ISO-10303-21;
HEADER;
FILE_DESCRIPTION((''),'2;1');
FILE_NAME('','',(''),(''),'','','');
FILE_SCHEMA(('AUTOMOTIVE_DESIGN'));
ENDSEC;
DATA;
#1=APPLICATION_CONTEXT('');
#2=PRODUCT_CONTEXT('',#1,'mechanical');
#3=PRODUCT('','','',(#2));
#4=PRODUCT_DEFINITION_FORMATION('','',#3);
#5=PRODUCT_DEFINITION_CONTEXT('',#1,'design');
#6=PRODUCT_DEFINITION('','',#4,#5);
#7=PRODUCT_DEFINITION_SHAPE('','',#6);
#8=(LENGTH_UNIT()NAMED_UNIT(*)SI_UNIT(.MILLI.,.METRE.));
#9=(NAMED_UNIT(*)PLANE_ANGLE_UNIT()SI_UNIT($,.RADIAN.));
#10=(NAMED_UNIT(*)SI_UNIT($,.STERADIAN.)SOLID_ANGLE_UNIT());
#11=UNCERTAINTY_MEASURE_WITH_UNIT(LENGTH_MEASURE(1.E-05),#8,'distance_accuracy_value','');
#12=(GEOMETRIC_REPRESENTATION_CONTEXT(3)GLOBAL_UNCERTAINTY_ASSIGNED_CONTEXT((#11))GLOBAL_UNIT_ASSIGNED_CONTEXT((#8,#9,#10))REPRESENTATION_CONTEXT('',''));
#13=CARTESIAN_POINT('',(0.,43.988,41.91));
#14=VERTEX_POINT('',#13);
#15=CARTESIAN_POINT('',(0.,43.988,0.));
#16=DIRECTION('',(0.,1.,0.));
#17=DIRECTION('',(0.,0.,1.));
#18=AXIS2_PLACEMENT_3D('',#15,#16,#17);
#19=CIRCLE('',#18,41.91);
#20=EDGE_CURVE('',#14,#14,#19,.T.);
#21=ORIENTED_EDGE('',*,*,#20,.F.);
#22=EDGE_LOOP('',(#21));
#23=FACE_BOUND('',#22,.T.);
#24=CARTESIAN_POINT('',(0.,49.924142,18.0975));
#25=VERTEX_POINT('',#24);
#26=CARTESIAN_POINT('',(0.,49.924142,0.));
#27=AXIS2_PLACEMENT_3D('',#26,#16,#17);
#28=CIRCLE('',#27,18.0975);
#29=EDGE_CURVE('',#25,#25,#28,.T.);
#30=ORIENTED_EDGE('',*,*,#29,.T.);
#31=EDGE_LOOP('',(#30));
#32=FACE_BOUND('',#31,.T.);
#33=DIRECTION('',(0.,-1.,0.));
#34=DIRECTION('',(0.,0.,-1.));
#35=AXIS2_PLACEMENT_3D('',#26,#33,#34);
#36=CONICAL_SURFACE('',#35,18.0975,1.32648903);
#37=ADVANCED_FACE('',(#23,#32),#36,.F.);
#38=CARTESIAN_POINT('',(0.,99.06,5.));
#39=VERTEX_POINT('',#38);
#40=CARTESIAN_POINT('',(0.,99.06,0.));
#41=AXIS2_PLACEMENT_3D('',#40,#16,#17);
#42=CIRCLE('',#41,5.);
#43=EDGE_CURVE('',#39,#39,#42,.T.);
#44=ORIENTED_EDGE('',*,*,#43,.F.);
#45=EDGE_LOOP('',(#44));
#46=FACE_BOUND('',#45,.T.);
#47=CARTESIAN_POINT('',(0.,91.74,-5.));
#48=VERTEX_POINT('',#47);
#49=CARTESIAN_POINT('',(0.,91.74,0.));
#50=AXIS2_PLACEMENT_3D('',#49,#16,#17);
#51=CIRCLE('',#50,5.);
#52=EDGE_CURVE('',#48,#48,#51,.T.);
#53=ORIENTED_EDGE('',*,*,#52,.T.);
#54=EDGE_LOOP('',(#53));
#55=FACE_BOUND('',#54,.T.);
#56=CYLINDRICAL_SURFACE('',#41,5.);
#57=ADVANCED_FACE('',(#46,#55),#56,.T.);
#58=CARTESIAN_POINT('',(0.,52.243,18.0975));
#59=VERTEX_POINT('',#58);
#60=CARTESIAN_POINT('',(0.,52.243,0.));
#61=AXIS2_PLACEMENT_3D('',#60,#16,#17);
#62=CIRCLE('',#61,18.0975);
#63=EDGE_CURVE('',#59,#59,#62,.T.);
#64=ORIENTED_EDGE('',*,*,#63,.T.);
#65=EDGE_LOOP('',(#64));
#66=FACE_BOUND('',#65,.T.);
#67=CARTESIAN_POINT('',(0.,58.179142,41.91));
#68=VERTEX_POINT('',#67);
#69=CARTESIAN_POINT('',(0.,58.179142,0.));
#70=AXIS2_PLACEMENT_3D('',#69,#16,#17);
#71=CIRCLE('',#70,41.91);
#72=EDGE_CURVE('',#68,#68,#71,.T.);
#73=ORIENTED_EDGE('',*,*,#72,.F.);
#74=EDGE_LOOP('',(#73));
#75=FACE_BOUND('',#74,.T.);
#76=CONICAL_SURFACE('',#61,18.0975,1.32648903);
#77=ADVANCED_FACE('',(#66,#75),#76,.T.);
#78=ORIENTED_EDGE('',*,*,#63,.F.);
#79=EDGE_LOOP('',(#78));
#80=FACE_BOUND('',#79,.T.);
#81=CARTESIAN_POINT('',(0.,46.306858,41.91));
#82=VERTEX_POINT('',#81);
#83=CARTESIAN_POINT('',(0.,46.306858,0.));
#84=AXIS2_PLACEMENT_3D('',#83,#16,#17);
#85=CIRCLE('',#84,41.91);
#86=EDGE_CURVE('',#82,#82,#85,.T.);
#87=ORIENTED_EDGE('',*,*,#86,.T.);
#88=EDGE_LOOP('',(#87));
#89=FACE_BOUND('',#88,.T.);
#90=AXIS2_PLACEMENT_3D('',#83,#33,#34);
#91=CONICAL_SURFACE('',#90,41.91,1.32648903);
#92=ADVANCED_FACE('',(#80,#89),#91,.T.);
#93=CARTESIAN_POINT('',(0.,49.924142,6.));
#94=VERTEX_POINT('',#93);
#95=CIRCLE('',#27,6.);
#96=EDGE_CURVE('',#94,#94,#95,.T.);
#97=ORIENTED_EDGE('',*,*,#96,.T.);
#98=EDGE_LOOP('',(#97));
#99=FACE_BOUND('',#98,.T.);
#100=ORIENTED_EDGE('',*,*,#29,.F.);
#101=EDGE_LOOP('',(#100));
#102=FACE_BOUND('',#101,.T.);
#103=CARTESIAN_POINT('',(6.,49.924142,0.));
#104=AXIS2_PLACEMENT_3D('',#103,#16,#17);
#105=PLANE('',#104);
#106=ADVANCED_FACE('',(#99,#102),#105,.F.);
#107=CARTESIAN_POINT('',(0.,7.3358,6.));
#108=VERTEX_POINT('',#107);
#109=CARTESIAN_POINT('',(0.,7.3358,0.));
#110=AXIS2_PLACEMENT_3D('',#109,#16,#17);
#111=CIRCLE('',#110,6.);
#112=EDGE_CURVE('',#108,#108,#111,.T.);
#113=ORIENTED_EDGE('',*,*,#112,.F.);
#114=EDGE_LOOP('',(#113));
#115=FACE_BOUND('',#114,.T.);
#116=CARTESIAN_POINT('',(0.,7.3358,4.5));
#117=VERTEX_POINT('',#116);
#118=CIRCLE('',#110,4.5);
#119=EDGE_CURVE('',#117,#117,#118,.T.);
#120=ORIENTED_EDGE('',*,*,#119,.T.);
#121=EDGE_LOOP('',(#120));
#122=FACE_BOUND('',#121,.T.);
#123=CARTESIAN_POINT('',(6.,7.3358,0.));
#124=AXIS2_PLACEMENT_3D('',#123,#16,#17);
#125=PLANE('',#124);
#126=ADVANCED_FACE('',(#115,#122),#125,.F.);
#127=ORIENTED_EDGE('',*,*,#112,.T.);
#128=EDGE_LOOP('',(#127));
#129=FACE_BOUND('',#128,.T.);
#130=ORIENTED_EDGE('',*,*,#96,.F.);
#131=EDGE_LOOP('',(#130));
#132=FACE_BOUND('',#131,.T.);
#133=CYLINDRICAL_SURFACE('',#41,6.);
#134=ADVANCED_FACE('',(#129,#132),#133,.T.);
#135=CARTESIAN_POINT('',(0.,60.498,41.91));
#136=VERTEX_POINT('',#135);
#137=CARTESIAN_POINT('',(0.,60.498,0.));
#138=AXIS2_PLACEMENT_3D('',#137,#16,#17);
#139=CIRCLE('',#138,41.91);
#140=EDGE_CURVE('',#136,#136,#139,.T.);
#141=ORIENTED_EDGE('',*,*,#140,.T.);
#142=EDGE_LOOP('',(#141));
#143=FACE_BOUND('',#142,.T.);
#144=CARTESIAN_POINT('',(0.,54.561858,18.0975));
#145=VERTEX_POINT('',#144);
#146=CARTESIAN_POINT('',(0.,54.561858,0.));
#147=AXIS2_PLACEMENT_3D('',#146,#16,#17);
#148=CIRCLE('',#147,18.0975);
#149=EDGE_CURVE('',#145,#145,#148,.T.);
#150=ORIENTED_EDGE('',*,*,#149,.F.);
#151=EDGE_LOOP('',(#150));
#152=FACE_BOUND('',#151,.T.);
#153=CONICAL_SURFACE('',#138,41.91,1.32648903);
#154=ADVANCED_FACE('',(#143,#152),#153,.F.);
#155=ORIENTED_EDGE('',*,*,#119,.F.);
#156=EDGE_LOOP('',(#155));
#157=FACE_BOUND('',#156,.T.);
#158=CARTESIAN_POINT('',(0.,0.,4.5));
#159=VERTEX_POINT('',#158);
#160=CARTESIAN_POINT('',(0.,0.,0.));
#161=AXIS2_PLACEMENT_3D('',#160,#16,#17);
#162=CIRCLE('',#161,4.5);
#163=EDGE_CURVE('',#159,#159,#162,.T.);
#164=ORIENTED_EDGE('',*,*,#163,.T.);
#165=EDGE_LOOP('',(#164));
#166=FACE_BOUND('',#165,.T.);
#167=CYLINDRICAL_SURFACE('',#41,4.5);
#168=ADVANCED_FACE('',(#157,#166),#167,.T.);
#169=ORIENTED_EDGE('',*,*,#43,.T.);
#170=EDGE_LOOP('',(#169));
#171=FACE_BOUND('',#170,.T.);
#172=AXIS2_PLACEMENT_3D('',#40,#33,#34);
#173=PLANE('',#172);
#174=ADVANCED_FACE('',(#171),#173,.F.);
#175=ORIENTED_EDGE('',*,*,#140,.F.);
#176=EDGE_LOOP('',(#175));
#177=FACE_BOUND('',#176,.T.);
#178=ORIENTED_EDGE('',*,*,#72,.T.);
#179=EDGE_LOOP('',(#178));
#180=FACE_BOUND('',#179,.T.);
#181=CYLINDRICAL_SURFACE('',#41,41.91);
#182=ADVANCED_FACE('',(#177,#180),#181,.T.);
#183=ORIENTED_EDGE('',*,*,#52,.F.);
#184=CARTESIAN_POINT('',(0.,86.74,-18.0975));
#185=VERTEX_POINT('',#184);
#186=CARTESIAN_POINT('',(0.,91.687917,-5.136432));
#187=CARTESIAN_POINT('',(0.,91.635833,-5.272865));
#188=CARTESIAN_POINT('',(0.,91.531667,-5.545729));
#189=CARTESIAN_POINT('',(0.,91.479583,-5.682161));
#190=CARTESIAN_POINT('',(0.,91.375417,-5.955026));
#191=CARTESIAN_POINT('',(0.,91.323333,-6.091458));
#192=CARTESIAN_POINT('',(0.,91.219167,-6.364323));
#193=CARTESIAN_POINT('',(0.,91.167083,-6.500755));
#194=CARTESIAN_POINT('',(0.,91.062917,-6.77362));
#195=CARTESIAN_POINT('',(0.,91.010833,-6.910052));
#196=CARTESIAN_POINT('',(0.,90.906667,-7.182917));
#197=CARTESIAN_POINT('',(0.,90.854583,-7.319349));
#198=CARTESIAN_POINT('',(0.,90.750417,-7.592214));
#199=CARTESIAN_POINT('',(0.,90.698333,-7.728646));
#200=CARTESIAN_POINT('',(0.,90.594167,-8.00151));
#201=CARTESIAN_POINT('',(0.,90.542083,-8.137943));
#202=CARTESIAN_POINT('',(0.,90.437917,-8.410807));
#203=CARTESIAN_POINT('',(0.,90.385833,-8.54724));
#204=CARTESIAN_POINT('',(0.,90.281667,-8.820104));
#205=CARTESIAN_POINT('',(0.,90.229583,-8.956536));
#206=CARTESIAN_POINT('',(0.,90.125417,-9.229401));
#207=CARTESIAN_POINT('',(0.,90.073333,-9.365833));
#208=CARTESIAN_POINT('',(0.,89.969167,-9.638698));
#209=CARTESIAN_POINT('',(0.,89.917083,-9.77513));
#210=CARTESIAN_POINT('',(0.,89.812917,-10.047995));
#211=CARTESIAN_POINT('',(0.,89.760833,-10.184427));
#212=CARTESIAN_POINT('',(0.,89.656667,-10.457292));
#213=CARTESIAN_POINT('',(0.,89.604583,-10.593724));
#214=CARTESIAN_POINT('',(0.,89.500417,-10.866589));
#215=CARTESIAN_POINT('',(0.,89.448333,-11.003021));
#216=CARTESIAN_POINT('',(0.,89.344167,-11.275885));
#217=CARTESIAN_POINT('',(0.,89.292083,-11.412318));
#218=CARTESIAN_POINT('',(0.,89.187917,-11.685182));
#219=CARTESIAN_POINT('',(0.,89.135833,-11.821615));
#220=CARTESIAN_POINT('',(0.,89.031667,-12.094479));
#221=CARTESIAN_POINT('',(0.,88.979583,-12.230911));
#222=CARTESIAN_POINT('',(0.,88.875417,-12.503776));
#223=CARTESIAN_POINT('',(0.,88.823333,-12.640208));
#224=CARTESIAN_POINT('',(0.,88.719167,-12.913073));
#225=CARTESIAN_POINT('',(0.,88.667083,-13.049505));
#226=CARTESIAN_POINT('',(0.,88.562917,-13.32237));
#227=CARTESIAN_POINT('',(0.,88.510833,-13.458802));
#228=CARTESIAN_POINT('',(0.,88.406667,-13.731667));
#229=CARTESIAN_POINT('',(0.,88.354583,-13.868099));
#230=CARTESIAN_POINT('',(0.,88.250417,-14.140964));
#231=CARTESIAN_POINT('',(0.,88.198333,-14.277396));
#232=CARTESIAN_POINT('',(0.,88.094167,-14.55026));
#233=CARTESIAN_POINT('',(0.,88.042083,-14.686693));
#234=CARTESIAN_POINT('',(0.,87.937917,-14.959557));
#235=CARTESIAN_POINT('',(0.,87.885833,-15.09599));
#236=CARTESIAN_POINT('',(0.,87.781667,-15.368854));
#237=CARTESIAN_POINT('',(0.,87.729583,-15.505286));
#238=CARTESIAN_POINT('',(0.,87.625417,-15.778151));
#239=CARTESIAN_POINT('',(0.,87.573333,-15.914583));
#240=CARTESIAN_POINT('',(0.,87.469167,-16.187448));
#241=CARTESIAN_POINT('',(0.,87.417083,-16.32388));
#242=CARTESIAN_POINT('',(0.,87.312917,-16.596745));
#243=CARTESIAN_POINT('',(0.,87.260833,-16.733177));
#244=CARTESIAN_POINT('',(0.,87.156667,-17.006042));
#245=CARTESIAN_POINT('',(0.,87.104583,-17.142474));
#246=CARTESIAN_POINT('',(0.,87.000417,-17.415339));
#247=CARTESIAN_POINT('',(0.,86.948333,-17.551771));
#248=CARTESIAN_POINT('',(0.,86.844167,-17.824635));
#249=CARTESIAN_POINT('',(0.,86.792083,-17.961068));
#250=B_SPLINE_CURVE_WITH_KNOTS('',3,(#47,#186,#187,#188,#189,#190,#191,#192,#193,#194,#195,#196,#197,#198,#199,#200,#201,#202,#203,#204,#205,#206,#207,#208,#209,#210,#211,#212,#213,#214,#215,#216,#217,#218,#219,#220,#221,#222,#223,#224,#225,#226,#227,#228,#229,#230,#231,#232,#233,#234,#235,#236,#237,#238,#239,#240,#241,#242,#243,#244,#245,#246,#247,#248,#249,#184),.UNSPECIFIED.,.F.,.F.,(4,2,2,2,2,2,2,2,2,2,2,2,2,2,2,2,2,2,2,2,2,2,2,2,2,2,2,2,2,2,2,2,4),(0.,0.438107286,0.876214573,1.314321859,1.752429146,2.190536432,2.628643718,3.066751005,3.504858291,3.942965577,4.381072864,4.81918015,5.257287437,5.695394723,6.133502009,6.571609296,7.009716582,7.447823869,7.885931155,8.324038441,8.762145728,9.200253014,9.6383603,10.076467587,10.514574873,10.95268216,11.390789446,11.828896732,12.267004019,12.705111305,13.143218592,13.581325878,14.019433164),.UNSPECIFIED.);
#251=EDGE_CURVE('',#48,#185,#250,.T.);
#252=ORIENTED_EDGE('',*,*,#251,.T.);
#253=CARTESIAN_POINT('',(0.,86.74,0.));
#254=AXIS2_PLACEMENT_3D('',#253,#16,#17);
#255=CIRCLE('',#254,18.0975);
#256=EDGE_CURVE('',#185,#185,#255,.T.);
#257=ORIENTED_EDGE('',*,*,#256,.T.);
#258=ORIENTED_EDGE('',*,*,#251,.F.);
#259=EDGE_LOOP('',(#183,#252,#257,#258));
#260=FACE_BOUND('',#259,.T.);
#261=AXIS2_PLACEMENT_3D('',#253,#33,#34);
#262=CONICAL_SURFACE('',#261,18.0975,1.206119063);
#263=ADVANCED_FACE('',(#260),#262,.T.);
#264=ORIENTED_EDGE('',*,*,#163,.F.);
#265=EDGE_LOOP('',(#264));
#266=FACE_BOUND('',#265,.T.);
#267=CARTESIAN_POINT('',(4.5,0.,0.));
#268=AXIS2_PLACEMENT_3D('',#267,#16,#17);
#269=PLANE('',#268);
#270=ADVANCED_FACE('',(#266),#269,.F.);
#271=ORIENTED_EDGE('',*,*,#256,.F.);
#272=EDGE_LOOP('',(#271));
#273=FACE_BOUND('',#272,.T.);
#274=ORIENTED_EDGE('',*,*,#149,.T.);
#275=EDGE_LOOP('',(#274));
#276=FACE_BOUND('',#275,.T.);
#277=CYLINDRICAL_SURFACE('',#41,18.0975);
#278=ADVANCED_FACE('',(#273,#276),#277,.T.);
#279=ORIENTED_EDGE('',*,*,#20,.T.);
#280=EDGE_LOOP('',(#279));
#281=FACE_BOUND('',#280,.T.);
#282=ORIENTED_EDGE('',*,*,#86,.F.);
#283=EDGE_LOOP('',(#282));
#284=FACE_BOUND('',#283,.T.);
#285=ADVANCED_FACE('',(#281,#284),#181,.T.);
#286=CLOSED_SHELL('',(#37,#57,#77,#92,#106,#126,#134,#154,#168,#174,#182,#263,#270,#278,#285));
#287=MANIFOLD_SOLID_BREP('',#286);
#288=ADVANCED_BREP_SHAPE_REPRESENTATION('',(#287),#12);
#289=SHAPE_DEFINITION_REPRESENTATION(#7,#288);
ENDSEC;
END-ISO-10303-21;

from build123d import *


with BuildPart() as part:
    # Sketch1 → Revolve1 (revolve)
    with BuildSketch(Plane.XY, mode=Mode.PRIVATE) as revolve1_sk:
        Polygon((0, 99.06), (5, 99.06), (5, 91.74), (18.0975, 86.74), (18.0975, 54.561858236), (41.91, 60.498), (41.91, 58.179141764), (18.0975, 52.243), (41.91, 46.306858236), (41.91, 43.988), (18.0975, 49.924141764), (6, 49.924141764), (6, 7.3358), (4.5, 7.3358), (4.5, 0), (0, 0), align=None)
    revolve(revolve1_sk.sketch.rotate(Axis((0, 99.06, 0), (0, -1, 0)), 90), axis=Axis((0, 99.06, 0), (0, -1, 0)))


solid = part.part
